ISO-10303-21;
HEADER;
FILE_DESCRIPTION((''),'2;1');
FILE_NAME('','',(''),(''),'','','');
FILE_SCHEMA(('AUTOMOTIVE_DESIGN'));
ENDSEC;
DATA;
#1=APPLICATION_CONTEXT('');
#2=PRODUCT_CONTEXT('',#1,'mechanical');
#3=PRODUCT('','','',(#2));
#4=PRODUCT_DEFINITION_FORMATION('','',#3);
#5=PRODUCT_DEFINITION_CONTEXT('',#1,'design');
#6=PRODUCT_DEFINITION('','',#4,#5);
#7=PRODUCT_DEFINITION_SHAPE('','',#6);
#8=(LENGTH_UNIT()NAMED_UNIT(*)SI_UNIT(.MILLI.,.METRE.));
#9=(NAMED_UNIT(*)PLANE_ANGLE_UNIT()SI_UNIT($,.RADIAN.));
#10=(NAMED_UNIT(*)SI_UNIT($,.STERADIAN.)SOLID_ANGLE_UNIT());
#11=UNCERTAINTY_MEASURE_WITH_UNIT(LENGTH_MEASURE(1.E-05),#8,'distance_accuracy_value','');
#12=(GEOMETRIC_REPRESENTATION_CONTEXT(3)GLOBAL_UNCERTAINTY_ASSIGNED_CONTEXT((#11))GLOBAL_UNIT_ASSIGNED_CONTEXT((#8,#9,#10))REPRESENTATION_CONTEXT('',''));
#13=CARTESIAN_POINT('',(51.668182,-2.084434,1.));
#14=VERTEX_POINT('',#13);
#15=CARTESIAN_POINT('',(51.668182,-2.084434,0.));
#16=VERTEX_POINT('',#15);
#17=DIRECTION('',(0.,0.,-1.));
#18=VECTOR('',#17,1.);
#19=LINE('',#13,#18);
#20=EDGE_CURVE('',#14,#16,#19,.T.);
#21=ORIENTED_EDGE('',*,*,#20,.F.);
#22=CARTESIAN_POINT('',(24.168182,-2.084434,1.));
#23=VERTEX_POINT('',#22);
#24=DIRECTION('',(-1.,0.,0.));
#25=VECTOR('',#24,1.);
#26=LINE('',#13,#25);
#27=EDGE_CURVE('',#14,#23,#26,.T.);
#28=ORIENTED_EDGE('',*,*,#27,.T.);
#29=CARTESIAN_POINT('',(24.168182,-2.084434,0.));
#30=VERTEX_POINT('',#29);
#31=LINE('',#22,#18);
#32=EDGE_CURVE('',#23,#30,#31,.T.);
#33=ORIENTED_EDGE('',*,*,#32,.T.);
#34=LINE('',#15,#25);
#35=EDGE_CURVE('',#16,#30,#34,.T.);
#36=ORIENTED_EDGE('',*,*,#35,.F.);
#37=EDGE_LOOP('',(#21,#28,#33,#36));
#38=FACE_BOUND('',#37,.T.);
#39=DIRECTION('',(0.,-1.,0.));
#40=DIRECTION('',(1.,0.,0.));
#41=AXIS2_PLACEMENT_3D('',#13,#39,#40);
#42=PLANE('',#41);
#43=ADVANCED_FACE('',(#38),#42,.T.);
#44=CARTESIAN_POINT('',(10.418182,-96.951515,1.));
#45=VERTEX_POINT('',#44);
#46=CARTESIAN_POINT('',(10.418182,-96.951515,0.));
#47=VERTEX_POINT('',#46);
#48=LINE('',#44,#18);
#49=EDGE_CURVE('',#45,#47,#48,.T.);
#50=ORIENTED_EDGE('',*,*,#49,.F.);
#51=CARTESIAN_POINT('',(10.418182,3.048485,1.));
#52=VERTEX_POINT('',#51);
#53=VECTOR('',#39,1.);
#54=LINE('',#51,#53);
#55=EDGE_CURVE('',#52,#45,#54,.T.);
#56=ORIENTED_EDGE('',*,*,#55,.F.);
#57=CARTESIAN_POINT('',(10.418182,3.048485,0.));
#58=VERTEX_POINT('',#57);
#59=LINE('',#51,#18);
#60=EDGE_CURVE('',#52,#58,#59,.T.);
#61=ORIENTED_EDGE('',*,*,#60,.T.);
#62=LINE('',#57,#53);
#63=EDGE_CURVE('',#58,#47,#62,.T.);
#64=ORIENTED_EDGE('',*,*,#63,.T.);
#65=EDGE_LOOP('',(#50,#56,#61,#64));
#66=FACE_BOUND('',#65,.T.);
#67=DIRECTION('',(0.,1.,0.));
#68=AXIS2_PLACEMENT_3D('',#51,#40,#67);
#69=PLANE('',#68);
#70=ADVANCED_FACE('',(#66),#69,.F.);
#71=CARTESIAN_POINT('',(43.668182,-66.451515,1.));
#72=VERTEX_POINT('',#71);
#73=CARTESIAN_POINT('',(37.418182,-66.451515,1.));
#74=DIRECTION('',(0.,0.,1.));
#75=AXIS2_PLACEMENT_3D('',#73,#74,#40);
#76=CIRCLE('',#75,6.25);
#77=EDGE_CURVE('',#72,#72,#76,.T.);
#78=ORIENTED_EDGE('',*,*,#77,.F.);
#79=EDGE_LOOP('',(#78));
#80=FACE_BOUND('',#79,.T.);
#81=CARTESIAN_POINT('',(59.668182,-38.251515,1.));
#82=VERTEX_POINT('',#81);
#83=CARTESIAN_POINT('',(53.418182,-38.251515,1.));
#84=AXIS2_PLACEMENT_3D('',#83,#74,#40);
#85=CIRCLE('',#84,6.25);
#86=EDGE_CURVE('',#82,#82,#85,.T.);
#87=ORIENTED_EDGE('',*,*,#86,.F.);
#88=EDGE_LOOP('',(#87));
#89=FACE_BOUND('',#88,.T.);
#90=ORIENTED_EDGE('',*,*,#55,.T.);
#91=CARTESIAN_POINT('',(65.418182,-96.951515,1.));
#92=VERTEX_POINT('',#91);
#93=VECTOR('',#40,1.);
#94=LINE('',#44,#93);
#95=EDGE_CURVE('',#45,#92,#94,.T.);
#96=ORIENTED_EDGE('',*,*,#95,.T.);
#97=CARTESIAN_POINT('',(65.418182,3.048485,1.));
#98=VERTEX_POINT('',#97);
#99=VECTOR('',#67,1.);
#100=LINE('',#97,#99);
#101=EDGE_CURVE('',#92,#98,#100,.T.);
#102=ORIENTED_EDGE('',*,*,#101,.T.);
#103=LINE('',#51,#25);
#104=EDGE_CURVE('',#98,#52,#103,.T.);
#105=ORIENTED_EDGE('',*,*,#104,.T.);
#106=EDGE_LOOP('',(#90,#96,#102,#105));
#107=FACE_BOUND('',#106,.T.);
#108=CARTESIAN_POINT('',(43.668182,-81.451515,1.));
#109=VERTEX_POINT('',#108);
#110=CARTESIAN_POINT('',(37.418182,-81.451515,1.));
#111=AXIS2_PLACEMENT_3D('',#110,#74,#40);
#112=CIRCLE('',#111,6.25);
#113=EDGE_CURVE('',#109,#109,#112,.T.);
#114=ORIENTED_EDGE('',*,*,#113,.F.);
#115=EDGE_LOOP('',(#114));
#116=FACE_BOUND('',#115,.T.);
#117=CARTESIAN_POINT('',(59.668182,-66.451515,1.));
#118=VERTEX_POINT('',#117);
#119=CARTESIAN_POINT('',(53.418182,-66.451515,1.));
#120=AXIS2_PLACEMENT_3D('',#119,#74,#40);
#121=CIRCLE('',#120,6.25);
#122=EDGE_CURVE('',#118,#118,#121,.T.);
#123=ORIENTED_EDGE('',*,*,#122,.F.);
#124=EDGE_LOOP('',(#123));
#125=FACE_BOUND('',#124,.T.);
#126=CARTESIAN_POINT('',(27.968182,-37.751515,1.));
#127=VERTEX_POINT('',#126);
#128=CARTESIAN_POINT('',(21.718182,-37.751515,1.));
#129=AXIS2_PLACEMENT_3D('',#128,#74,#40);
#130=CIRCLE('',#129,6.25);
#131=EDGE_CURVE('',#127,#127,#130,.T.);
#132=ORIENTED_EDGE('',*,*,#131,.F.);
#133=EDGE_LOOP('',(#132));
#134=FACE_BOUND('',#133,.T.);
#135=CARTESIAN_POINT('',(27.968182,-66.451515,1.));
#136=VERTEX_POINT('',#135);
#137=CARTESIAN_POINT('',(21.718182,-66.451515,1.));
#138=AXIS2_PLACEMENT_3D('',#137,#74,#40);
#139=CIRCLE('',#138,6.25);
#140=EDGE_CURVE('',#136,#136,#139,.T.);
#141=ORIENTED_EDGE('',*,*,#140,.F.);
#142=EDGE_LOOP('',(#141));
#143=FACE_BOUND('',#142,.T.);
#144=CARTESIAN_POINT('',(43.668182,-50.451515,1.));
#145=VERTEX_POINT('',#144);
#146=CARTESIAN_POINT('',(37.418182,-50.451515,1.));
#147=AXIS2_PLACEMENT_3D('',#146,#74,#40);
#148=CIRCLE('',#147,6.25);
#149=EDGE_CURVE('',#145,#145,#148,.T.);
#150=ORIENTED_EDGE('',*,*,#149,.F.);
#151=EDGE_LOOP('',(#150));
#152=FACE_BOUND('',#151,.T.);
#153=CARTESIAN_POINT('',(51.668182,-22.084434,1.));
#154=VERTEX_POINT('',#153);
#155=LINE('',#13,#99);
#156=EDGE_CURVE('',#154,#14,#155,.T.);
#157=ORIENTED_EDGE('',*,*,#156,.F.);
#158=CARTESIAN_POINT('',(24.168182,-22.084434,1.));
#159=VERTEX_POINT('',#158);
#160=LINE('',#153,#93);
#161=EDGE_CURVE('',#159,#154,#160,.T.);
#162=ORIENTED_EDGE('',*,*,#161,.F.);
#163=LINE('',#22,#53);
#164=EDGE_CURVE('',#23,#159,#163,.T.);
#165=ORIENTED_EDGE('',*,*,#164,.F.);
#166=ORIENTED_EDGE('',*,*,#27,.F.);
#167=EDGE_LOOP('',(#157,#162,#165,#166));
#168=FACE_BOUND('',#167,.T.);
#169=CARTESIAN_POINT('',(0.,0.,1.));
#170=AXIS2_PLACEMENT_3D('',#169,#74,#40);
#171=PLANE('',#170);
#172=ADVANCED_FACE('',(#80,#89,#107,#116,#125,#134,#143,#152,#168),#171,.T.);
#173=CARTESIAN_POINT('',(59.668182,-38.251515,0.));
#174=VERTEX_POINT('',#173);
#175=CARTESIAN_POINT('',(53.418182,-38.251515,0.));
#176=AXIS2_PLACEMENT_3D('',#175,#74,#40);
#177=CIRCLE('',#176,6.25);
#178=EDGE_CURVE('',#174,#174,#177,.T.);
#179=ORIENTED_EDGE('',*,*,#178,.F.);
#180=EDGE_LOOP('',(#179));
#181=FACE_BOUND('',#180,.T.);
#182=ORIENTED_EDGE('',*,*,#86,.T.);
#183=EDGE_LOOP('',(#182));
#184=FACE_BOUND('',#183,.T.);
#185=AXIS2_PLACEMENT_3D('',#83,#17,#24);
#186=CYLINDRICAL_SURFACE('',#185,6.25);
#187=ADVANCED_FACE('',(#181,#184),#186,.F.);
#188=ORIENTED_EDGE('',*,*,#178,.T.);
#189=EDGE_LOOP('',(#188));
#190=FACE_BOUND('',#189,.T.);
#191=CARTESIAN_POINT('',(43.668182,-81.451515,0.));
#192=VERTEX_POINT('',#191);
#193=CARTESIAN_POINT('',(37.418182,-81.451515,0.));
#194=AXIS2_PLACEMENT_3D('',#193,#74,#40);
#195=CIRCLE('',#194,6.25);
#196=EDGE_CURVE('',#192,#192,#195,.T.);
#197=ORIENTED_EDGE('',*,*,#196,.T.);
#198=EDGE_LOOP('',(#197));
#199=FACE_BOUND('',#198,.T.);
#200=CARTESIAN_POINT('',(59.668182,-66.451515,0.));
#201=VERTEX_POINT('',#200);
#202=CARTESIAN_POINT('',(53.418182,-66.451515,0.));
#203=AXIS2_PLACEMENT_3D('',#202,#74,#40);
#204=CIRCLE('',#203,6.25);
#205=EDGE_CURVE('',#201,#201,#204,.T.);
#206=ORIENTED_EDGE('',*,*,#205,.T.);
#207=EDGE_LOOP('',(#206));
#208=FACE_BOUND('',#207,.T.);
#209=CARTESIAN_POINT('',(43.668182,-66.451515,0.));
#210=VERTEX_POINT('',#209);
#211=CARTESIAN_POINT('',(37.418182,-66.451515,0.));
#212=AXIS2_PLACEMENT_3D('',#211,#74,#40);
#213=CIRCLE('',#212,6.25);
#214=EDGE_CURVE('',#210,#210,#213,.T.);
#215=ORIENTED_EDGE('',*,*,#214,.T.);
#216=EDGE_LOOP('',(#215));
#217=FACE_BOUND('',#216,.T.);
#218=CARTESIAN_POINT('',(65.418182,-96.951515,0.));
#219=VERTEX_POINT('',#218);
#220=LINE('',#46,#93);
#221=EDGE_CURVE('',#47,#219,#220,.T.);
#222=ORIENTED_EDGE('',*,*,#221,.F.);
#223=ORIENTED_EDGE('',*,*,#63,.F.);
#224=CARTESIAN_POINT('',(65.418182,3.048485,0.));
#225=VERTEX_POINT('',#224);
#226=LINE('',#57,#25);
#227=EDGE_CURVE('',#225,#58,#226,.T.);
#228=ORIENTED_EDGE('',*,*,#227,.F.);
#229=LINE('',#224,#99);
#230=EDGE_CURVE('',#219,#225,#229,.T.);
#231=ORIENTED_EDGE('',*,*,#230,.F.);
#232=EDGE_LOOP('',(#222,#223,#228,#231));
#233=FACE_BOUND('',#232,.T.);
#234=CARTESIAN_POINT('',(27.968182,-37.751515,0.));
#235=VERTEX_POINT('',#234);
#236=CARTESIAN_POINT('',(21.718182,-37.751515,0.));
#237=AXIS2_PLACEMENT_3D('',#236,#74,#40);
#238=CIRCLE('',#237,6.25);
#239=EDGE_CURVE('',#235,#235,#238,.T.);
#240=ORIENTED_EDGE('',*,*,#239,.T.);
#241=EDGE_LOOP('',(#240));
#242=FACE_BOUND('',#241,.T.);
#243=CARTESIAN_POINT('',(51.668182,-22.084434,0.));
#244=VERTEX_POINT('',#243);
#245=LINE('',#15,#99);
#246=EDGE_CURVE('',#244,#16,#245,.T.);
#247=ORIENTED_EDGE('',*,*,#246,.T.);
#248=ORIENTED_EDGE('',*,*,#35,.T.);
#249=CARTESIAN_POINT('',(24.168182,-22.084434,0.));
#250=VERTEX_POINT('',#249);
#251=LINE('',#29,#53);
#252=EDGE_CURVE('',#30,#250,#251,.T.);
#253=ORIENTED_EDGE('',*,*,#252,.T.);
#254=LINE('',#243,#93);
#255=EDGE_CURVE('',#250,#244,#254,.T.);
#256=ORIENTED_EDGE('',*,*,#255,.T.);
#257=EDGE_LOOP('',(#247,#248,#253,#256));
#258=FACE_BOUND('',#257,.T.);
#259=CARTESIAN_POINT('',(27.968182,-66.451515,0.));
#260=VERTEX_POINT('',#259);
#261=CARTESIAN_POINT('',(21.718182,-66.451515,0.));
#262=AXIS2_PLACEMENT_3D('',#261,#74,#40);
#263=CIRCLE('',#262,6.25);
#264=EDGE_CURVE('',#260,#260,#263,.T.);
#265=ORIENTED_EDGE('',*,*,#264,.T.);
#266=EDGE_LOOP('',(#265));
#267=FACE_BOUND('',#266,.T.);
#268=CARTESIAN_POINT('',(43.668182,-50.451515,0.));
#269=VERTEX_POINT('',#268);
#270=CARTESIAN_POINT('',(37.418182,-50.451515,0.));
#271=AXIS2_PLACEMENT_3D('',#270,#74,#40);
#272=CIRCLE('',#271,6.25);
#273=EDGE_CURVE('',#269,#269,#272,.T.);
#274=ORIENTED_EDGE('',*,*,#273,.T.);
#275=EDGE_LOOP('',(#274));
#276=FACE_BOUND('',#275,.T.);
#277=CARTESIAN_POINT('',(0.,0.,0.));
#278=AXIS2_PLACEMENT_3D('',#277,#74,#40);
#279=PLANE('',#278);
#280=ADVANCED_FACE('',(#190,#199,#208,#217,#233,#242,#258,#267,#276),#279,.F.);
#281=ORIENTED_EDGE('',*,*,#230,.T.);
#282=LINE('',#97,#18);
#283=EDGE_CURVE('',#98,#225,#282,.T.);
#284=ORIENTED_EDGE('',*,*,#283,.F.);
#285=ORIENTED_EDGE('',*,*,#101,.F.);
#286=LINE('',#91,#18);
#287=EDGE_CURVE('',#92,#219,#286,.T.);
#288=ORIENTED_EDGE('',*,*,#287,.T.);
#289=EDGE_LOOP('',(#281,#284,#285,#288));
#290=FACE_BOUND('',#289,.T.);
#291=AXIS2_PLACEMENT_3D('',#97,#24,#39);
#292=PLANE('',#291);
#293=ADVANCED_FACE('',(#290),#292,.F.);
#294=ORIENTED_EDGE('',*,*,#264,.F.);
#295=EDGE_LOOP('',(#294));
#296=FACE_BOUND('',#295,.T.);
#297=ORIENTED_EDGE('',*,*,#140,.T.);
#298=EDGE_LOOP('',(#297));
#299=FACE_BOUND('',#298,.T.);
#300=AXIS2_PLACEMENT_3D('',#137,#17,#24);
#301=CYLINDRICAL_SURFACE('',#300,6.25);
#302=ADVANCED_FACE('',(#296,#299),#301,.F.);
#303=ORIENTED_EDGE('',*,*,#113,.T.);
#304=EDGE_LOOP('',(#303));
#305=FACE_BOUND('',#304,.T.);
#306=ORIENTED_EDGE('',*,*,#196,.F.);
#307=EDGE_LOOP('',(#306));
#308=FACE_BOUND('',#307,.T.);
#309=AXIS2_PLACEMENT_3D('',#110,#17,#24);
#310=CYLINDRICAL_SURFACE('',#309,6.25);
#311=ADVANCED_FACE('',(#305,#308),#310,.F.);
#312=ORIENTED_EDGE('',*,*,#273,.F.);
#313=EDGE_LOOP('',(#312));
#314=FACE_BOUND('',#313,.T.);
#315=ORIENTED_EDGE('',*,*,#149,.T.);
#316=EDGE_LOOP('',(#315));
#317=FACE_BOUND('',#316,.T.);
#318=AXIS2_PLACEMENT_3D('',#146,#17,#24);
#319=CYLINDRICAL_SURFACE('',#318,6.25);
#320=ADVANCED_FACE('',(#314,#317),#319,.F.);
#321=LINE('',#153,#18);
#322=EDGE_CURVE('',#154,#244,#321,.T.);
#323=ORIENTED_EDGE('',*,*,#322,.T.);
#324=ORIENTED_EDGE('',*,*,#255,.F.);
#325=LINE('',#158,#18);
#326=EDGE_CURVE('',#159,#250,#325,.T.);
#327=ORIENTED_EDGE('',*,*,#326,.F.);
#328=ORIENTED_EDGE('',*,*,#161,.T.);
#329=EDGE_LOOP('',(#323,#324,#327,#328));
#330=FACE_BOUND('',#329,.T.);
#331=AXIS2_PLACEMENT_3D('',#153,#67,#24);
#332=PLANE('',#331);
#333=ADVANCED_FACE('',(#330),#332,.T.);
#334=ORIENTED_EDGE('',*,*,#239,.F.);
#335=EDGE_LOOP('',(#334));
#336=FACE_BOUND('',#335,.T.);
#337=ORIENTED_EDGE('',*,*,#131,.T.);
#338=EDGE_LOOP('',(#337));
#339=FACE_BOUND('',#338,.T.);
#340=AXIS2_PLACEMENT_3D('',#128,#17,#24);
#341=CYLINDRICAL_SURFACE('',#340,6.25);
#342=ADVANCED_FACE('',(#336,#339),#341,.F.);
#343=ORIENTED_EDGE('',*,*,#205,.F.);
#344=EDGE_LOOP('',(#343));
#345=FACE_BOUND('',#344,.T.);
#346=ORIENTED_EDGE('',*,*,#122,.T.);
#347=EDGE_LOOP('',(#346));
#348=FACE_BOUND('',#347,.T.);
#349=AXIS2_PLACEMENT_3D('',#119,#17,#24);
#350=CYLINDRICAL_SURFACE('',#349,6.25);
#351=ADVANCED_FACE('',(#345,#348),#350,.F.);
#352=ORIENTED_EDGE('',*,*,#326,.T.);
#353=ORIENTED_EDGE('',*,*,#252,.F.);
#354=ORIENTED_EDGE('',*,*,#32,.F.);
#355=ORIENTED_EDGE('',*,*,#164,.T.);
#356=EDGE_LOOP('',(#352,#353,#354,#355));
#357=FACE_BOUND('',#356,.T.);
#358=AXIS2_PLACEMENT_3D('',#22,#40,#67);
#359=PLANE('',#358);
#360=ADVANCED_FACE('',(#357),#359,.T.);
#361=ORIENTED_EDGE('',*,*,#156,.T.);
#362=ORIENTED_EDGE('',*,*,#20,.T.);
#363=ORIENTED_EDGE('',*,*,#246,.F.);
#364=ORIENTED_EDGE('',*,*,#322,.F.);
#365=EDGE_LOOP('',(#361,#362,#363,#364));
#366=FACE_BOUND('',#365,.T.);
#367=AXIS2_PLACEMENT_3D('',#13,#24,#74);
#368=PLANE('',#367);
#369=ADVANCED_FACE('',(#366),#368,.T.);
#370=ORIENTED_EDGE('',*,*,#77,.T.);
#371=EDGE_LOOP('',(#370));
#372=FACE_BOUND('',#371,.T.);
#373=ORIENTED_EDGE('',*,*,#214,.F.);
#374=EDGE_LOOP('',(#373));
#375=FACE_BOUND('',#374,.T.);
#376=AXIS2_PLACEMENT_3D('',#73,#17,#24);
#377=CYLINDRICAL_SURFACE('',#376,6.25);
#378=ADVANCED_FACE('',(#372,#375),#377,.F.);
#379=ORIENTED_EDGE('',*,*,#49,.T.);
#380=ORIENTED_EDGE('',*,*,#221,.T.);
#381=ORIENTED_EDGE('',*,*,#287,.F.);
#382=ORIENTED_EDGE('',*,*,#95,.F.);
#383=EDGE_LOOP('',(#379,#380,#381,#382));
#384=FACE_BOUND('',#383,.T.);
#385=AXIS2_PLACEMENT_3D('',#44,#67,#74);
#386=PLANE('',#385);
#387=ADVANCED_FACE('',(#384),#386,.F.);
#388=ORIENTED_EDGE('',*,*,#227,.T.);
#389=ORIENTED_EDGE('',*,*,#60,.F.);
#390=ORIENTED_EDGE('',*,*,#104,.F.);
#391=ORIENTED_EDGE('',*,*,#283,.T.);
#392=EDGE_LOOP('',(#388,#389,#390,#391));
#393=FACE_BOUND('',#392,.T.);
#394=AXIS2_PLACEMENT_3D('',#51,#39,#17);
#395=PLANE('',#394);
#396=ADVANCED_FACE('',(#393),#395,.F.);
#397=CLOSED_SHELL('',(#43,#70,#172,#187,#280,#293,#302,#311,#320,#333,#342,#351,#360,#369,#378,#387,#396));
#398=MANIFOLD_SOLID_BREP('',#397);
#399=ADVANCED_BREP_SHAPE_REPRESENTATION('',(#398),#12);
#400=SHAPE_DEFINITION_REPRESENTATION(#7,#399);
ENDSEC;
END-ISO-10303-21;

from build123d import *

# Parameters (mm, degrees)
SKETCH_1_W      = 55
SKETCH_1_H      = 100
SKETCH_1_R      = 6.25
SKETCH_1_W_2    = 27.5
SKETCH_1_H_2    = 20
EXTRUDE_1_DEPTH = 1


with BuildPart() as part:
    # 草图1 → 凸台-拉伸1 (new body)
    with BuildSketch(Plane.XY):
        with Locations((37.918181818, -46.951515152)):
            Rectangle(SKETCH_1_W, SKETCH_1_H)
        with Locations((37.418181818, -81.451515152)):
            Circle(SKETCH_1_R, mode=Mode.SUBTRACT)
        with Locations((37.418181818, -66.451515152)):
            Circle(SKETCH_1_R, mode=Mode.SUBTRACT)
        with Locations((21.718181818, -66.451515152)):
            Circle(SKETCH_1_R, mode=Mode.SUBTRACT)
        with Locations((53.418181818, -66.451515152)):
            Circle(SKETCH_1_R, mode=Mode.SUBTRACT)
        with Locations((37.418181818, -50.451515152)):
            Circle(SKETCH_1_R, mode=Mode.SUBTRACT)
        with Locations((53.418181818, -38.251515152)):
            Circle(SKETCH_1_R, mode=Mode.SUBTRACT)
        with Locations((21.718181818, -37.751515152)):
            Circle(SKETCH_1_R, mode=Mode.SUBTRACT)
        with Locations((37.918181818, -12.084434283)):
            Rectangle(SKETCH_1_W_2, SKETCH_1_H_2, mode=Mode.SUBTRACT)
    extrude(amount=EXTRUDE_1_DEPTH)


solid = part.part
